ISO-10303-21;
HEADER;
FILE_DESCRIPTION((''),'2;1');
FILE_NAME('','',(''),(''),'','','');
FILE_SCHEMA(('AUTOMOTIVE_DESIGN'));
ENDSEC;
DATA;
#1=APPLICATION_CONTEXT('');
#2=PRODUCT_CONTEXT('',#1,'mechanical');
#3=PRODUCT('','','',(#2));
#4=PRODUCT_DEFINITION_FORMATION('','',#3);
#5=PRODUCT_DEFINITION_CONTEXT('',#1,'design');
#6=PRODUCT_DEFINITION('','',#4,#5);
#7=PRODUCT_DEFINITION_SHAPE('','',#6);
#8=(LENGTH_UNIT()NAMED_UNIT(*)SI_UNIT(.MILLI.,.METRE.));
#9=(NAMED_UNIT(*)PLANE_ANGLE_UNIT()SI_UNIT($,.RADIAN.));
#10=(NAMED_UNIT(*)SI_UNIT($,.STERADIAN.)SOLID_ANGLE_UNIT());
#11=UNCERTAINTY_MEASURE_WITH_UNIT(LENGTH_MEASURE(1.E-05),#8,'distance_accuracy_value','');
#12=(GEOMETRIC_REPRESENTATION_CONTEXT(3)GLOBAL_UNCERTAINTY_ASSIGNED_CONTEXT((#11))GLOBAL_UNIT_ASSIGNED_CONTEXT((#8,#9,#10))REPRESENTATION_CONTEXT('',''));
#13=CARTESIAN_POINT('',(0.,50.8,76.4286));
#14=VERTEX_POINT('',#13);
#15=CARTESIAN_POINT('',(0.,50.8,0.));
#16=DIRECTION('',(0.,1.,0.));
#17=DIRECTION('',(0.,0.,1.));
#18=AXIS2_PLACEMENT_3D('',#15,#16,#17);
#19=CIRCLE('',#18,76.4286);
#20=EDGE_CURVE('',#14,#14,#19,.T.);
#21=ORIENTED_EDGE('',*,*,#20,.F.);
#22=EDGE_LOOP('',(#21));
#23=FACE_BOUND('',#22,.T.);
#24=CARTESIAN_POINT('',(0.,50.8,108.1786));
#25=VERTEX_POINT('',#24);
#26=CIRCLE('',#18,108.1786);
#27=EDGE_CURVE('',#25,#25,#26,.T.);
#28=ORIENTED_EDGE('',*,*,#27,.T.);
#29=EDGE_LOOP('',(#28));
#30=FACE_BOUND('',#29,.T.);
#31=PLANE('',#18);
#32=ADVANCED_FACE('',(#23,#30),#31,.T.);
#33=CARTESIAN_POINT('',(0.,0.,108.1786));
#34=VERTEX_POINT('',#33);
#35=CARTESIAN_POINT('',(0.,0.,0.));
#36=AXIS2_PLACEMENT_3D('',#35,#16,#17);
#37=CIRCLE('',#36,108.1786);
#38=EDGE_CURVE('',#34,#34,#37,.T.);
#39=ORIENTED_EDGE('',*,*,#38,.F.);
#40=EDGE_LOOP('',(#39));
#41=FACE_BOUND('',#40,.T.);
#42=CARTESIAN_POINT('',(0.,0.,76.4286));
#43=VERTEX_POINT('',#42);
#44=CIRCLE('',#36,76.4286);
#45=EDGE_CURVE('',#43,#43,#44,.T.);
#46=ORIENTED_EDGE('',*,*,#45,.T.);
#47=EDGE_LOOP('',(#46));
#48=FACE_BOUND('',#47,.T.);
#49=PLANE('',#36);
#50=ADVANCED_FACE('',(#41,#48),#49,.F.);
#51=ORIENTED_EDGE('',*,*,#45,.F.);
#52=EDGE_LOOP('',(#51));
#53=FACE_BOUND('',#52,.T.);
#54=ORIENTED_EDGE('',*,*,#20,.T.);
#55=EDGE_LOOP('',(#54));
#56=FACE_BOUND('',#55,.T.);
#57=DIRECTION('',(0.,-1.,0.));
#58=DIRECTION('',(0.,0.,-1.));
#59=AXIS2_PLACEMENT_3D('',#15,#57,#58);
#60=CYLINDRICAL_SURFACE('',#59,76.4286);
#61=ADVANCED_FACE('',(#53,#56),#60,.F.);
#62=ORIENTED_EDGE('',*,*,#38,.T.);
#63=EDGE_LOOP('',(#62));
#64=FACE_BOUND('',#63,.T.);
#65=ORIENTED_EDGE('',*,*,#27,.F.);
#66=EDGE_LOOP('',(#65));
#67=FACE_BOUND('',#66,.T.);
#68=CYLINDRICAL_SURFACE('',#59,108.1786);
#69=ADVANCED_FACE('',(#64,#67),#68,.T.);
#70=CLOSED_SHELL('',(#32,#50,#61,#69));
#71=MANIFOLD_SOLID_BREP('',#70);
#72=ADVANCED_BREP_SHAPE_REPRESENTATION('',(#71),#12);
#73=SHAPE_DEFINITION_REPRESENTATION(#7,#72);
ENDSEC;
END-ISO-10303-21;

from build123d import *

# Parameters (mm, degrees)
SKETCH2_R           = 108.1786
SKETCH2_R_2         = 76.4286
BOSS_EXTRUDE1_DEPTH = 50.8


with BuildPart() as part:
    # Sketch2 → Boss-Extrude1 (new body)
    with BuildSketch(Plane(origin=(0, 0, 0), x_dir=(1, 0, 0), z_dir=(0, 1, 0))):
        with Locations(Location((0, 0, 0), (0, 0, 270))):
            Circle(SKETCH2_R)
        with Locations(Location((0, 0, 0), (0, 0, 270))):
            Circle(SKETCH2_R_2, mode=Mode.SUBTRACT)
    extrude(amount=BOSS_EXTRUDE1_DEPTH)


solid = part.part
